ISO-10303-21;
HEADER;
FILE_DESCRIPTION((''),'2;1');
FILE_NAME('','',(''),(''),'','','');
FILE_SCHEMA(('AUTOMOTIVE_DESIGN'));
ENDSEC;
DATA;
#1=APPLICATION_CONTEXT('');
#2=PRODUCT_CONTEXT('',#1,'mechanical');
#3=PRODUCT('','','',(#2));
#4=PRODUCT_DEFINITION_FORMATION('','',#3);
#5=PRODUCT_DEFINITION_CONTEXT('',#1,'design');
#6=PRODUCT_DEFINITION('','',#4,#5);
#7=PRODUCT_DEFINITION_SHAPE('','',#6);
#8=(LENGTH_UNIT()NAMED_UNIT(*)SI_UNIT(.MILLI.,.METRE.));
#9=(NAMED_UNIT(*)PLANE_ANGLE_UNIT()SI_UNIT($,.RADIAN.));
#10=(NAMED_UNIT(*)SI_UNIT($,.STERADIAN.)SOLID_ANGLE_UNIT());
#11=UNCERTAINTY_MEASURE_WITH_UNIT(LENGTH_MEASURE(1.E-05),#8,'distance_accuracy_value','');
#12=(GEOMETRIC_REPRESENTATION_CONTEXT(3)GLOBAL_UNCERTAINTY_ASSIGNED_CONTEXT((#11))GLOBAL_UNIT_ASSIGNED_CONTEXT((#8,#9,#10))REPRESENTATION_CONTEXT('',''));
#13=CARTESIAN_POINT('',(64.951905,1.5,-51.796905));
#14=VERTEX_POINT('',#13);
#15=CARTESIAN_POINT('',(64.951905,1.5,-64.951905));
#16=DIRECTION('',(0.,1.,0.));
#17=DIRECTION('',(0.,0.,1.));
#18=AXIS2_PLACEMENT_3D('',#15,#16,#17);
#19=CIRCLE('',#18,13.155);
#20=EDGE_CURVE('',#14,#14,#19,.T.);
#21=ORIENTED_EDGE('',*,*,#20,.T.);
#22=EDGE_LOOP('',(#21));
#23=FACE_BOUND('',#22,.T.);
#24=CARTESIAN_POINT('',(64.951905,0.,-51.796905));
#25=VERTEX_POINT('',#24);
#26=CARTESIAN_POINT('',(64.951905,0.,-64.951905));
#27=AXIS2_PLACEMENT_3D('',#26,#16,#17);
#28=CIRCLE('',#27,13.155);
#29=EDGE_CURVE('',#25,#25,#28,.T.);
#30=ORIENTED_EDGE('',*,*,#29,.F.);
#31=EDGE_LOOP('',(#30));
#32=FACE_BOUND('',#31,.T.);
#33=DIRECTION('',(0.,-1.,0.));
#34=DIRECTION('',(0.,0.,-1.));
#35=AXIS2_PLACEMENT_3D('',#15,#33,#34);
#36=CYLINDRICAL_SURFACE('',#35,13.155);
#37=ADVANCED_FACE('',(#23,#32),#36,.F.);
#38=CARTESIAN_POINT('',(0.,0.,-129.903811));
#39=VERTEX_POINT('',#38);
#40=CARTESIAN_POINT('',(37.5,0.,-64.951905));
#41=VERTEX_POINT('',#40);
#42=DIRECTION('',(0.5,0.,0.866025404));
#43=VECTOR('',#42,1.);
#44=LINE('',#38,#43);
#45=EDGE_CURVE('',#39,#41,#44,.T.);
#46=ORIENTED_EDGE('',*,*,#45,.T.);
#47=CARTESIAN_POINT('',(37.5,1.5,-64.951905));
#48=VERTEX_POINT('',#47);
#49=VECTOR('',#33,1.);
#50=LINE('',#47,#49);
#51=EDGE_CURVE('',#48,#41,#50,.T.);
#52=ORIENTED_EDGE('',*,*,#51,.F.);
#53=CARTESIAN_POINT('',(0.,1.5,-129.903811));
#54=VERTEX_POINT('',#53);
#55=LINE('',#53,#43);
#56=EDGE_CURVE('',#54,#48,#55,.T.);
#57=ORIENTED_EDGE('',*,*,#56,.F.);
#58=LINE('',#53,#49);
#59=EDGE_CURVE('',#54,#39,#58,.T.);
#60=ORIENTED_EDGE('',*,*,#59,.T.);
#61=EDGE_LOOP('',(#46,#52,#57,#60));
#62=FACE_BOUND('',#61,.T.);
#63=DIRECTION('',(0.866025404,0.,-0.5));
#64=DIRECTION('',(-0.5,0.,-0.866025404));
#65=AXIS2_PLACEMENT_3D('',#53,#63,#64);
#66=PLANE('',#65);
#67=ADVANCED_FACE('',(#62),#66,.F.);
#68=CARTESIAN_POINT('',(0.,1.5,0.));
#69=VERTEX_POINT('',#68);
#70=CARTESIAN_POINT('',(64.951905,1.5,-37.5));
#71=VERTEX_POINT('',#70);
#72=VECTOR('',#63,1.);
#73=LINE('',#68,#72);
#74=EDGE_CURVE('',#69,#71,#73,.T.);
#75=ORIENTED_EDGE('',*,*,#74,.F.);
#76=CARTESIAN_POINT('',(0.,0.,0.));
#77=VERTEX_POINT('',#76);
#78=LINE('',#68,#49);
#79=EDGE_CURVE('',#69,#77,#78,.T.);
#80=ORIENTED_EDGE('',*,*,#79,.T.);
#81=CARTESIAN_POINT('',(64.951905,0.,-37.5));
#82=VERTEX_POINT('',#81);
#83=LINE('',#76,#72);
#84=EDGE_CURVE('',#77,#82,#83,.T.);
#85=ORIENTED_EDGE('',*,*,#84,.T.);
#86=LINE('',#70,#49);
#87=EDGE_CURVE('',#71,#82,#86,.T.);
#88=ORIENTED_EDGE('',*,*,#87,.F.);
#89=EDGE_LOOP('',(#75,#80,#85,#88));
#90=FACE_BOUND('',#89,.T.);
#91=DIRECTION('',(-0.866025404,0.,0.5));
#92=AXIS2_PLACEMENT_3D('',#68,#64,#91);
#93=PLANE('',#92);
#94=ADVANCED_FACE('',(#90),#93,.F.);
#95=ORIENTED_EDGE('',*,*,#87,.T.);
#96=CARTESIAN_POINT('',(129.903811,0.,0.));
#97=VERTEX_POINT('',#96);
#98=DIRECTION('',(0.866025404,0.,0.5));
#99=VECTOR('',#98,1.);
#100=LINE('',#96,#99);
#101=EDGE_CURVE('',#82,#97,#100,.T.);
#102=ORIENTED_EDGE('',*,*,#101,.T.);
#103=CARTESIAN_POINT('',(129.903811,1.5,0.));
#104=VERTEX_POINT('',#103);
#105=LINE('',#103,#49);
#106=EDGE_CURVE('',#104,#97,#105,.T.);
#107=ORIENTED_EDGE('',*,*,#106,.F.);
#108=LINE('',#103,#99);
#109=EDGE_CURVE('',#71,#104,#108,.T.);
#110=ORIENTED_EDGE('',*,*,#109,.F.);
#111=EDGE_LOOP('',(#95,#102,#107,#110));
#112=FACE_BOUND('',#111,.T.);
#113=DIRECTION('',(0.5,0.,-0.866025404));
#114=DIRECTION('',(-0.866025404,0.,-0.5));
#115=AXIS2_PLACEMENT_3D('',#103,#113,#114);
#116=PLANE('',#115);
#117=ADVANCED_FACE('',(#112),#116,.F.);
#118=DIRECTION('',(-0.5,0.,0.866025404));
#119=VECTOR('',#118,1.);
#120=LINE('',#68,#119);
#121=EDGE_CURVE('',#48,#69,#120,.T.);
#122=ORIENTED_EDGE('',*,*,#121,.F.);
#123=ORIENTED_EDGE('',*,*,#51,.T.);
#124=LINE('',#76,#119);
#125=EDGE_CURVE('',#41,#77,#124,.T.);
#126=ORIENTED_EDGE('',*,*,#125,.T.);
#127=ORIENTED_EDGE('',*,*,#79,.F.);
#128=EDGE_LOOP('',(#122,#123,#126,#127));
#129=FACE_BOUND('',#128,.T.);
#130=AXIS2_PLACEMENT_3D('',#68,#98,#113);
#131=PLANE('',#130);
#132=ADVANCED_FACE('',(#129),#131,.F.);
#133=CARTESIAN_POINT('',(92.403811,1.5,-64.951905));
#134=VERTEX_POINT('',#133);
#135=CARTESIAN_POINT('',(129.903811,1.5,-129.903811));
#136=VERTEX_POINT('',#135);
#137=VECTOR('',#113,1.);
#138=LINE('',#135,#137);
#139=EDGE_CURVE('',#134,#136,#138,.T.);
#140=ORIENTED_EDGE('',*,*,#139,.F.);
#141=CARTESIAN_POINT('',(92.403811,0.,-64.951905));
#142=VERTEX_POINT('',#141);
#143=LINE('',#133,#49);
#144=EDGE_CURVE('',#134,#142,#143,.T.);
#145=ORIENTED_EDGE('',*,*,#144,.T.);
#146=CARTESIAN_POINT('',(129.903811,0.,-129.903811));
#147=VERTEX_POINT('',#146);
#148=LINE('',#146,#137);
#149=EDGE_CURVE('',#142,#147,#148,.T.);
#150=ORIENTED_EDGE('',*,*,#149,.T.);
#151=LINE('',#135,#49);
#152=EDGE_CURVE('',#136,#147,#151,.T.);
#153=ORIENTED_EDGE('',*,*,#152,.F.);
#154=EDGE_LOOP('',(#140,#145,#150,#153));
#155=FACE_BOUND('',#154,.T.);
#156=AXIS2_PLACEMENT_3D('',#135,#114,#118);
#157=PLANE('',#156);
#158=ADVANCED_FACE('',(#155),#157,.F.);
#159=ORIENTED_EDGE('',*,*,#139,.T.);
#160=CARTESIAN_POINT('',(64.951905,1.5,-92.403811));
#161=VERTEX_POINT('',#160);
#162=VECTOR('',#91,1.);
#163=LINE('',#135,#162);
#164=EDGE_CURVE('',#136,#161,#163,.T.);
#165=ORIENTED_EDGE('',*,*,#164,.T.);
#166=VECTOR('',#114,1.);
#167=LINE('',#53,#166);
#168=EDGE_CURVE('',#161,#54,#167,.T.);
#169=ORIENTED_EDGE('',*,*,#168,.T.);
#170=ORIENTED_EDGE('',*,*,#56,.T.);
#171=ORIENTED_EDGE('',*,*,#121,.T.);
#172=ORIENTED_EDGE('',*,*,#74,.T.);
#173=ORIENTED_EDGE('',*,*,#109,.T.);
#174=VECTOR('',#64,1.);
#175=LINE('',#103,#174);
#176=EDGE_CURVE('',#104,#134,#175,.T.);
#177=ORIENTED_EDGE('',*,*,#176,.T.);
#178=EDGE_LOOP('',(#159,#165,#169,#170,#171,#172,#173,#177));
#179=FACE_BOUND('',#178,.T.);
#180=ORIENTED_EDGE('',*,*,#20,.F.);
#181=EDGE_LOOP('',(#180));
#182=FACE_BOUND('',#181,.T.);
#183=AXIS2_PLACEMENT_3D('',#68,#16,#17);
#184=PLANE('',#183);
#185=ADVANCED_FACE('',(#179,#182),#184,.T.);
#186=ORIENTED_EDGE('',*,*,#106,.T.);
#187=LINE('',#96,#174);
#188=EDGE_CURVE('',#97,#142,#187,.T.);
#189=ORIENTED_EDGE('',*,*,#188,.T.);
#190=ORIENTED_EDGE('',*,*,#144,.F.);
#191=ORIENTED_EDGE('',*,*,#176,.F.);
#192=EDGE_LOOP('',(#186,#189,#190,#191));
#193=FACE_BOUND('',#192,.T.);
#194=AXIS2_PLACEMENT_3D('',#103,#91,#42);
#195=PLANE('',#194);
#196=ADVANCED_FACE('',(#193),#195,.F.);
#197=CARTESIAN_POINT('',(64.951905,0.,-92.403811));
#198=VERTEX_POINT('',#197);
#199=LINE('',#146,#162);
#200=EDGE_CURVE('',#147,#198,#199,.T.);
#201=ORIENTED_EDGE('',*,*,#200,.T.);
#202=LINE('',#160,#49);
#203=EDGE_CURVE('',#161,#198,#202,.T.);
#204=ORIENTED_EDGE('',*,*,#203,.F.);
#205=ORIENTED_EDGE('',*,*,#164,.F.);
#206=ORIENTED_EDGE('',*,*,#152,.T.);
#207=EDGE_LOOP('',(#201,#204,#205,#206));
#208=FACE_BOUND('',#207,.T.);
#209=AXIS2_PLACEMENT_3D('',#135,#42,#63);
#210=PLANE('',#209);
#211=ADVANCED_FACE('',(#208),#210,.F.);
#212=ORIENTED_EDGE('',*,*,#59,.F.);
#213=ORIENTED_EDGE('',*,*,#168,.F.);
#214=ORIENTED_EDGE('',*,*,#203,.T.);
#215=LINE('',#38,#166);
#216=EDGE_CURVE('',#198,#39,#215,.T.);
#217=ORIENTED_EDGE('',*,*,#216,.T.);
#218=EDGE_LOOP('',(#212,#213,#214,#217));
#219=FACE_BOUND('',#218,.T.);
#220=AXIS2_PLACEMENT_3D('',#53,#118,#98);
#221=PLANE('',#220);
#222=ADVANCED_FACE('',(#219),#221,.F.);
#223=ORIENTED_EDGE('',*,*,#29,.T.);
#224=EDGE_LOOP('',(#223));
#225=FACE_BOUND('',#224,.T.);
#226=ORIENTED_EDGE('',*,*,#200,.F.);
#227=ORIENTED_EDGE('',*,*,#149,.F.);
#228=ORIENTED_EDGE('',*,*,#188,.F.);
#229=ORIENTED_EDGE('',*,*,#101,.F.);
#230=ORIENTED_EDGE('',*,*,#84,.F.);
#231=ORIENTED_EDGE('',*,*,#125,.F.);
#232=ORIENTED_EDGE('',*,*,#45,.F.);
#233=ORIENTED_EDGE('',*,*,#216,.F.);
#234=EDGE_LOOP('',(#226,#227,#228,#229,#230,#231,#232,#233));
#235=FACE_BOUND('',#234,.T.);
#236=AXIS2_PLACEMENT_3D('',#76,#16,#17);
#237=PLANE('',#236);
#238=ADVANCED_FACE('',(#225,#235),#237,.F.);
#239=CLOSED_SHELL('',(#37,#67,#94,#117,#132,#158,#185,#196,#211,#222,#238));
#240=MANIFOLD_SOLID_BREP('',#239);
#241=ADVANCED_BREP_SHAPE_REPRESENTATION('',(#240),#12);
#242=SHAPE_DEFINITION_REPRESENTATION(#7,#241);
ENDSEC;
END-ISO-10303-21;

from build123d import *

# Parameters (mm, degrees)
SKETCH1_R           = 13.155
BOSS_EXTRUDE1_DEPTH = 1.5


with BuildPart() as part:
    # Sketch1 → Boss-Extrude1 (new body)
    with BuildSketch(Plane(origin=(0, 0, 0), x_dir=(1, 0, 0), z_dir=(0, 1, 0))):
        Polygon((0, 0), (37.5, 64.951905284), (0, 129.903810568), (64.951905284, 92.403810568), (129.903810568, 129.903810568), (92.403810568, 64.951905284), (129.903810568, 0), (64.951905284, 37.5), align=None)
        with Locations(Location((64.951905284, 64.951905284, 0), (0, 0, 270))):
            Circle(SKETCH1_R, mode=Mode.SUBTRACT)
    extrude(amount=BOSS_EXTRUDE1_DEPTH)


solid = part.part
